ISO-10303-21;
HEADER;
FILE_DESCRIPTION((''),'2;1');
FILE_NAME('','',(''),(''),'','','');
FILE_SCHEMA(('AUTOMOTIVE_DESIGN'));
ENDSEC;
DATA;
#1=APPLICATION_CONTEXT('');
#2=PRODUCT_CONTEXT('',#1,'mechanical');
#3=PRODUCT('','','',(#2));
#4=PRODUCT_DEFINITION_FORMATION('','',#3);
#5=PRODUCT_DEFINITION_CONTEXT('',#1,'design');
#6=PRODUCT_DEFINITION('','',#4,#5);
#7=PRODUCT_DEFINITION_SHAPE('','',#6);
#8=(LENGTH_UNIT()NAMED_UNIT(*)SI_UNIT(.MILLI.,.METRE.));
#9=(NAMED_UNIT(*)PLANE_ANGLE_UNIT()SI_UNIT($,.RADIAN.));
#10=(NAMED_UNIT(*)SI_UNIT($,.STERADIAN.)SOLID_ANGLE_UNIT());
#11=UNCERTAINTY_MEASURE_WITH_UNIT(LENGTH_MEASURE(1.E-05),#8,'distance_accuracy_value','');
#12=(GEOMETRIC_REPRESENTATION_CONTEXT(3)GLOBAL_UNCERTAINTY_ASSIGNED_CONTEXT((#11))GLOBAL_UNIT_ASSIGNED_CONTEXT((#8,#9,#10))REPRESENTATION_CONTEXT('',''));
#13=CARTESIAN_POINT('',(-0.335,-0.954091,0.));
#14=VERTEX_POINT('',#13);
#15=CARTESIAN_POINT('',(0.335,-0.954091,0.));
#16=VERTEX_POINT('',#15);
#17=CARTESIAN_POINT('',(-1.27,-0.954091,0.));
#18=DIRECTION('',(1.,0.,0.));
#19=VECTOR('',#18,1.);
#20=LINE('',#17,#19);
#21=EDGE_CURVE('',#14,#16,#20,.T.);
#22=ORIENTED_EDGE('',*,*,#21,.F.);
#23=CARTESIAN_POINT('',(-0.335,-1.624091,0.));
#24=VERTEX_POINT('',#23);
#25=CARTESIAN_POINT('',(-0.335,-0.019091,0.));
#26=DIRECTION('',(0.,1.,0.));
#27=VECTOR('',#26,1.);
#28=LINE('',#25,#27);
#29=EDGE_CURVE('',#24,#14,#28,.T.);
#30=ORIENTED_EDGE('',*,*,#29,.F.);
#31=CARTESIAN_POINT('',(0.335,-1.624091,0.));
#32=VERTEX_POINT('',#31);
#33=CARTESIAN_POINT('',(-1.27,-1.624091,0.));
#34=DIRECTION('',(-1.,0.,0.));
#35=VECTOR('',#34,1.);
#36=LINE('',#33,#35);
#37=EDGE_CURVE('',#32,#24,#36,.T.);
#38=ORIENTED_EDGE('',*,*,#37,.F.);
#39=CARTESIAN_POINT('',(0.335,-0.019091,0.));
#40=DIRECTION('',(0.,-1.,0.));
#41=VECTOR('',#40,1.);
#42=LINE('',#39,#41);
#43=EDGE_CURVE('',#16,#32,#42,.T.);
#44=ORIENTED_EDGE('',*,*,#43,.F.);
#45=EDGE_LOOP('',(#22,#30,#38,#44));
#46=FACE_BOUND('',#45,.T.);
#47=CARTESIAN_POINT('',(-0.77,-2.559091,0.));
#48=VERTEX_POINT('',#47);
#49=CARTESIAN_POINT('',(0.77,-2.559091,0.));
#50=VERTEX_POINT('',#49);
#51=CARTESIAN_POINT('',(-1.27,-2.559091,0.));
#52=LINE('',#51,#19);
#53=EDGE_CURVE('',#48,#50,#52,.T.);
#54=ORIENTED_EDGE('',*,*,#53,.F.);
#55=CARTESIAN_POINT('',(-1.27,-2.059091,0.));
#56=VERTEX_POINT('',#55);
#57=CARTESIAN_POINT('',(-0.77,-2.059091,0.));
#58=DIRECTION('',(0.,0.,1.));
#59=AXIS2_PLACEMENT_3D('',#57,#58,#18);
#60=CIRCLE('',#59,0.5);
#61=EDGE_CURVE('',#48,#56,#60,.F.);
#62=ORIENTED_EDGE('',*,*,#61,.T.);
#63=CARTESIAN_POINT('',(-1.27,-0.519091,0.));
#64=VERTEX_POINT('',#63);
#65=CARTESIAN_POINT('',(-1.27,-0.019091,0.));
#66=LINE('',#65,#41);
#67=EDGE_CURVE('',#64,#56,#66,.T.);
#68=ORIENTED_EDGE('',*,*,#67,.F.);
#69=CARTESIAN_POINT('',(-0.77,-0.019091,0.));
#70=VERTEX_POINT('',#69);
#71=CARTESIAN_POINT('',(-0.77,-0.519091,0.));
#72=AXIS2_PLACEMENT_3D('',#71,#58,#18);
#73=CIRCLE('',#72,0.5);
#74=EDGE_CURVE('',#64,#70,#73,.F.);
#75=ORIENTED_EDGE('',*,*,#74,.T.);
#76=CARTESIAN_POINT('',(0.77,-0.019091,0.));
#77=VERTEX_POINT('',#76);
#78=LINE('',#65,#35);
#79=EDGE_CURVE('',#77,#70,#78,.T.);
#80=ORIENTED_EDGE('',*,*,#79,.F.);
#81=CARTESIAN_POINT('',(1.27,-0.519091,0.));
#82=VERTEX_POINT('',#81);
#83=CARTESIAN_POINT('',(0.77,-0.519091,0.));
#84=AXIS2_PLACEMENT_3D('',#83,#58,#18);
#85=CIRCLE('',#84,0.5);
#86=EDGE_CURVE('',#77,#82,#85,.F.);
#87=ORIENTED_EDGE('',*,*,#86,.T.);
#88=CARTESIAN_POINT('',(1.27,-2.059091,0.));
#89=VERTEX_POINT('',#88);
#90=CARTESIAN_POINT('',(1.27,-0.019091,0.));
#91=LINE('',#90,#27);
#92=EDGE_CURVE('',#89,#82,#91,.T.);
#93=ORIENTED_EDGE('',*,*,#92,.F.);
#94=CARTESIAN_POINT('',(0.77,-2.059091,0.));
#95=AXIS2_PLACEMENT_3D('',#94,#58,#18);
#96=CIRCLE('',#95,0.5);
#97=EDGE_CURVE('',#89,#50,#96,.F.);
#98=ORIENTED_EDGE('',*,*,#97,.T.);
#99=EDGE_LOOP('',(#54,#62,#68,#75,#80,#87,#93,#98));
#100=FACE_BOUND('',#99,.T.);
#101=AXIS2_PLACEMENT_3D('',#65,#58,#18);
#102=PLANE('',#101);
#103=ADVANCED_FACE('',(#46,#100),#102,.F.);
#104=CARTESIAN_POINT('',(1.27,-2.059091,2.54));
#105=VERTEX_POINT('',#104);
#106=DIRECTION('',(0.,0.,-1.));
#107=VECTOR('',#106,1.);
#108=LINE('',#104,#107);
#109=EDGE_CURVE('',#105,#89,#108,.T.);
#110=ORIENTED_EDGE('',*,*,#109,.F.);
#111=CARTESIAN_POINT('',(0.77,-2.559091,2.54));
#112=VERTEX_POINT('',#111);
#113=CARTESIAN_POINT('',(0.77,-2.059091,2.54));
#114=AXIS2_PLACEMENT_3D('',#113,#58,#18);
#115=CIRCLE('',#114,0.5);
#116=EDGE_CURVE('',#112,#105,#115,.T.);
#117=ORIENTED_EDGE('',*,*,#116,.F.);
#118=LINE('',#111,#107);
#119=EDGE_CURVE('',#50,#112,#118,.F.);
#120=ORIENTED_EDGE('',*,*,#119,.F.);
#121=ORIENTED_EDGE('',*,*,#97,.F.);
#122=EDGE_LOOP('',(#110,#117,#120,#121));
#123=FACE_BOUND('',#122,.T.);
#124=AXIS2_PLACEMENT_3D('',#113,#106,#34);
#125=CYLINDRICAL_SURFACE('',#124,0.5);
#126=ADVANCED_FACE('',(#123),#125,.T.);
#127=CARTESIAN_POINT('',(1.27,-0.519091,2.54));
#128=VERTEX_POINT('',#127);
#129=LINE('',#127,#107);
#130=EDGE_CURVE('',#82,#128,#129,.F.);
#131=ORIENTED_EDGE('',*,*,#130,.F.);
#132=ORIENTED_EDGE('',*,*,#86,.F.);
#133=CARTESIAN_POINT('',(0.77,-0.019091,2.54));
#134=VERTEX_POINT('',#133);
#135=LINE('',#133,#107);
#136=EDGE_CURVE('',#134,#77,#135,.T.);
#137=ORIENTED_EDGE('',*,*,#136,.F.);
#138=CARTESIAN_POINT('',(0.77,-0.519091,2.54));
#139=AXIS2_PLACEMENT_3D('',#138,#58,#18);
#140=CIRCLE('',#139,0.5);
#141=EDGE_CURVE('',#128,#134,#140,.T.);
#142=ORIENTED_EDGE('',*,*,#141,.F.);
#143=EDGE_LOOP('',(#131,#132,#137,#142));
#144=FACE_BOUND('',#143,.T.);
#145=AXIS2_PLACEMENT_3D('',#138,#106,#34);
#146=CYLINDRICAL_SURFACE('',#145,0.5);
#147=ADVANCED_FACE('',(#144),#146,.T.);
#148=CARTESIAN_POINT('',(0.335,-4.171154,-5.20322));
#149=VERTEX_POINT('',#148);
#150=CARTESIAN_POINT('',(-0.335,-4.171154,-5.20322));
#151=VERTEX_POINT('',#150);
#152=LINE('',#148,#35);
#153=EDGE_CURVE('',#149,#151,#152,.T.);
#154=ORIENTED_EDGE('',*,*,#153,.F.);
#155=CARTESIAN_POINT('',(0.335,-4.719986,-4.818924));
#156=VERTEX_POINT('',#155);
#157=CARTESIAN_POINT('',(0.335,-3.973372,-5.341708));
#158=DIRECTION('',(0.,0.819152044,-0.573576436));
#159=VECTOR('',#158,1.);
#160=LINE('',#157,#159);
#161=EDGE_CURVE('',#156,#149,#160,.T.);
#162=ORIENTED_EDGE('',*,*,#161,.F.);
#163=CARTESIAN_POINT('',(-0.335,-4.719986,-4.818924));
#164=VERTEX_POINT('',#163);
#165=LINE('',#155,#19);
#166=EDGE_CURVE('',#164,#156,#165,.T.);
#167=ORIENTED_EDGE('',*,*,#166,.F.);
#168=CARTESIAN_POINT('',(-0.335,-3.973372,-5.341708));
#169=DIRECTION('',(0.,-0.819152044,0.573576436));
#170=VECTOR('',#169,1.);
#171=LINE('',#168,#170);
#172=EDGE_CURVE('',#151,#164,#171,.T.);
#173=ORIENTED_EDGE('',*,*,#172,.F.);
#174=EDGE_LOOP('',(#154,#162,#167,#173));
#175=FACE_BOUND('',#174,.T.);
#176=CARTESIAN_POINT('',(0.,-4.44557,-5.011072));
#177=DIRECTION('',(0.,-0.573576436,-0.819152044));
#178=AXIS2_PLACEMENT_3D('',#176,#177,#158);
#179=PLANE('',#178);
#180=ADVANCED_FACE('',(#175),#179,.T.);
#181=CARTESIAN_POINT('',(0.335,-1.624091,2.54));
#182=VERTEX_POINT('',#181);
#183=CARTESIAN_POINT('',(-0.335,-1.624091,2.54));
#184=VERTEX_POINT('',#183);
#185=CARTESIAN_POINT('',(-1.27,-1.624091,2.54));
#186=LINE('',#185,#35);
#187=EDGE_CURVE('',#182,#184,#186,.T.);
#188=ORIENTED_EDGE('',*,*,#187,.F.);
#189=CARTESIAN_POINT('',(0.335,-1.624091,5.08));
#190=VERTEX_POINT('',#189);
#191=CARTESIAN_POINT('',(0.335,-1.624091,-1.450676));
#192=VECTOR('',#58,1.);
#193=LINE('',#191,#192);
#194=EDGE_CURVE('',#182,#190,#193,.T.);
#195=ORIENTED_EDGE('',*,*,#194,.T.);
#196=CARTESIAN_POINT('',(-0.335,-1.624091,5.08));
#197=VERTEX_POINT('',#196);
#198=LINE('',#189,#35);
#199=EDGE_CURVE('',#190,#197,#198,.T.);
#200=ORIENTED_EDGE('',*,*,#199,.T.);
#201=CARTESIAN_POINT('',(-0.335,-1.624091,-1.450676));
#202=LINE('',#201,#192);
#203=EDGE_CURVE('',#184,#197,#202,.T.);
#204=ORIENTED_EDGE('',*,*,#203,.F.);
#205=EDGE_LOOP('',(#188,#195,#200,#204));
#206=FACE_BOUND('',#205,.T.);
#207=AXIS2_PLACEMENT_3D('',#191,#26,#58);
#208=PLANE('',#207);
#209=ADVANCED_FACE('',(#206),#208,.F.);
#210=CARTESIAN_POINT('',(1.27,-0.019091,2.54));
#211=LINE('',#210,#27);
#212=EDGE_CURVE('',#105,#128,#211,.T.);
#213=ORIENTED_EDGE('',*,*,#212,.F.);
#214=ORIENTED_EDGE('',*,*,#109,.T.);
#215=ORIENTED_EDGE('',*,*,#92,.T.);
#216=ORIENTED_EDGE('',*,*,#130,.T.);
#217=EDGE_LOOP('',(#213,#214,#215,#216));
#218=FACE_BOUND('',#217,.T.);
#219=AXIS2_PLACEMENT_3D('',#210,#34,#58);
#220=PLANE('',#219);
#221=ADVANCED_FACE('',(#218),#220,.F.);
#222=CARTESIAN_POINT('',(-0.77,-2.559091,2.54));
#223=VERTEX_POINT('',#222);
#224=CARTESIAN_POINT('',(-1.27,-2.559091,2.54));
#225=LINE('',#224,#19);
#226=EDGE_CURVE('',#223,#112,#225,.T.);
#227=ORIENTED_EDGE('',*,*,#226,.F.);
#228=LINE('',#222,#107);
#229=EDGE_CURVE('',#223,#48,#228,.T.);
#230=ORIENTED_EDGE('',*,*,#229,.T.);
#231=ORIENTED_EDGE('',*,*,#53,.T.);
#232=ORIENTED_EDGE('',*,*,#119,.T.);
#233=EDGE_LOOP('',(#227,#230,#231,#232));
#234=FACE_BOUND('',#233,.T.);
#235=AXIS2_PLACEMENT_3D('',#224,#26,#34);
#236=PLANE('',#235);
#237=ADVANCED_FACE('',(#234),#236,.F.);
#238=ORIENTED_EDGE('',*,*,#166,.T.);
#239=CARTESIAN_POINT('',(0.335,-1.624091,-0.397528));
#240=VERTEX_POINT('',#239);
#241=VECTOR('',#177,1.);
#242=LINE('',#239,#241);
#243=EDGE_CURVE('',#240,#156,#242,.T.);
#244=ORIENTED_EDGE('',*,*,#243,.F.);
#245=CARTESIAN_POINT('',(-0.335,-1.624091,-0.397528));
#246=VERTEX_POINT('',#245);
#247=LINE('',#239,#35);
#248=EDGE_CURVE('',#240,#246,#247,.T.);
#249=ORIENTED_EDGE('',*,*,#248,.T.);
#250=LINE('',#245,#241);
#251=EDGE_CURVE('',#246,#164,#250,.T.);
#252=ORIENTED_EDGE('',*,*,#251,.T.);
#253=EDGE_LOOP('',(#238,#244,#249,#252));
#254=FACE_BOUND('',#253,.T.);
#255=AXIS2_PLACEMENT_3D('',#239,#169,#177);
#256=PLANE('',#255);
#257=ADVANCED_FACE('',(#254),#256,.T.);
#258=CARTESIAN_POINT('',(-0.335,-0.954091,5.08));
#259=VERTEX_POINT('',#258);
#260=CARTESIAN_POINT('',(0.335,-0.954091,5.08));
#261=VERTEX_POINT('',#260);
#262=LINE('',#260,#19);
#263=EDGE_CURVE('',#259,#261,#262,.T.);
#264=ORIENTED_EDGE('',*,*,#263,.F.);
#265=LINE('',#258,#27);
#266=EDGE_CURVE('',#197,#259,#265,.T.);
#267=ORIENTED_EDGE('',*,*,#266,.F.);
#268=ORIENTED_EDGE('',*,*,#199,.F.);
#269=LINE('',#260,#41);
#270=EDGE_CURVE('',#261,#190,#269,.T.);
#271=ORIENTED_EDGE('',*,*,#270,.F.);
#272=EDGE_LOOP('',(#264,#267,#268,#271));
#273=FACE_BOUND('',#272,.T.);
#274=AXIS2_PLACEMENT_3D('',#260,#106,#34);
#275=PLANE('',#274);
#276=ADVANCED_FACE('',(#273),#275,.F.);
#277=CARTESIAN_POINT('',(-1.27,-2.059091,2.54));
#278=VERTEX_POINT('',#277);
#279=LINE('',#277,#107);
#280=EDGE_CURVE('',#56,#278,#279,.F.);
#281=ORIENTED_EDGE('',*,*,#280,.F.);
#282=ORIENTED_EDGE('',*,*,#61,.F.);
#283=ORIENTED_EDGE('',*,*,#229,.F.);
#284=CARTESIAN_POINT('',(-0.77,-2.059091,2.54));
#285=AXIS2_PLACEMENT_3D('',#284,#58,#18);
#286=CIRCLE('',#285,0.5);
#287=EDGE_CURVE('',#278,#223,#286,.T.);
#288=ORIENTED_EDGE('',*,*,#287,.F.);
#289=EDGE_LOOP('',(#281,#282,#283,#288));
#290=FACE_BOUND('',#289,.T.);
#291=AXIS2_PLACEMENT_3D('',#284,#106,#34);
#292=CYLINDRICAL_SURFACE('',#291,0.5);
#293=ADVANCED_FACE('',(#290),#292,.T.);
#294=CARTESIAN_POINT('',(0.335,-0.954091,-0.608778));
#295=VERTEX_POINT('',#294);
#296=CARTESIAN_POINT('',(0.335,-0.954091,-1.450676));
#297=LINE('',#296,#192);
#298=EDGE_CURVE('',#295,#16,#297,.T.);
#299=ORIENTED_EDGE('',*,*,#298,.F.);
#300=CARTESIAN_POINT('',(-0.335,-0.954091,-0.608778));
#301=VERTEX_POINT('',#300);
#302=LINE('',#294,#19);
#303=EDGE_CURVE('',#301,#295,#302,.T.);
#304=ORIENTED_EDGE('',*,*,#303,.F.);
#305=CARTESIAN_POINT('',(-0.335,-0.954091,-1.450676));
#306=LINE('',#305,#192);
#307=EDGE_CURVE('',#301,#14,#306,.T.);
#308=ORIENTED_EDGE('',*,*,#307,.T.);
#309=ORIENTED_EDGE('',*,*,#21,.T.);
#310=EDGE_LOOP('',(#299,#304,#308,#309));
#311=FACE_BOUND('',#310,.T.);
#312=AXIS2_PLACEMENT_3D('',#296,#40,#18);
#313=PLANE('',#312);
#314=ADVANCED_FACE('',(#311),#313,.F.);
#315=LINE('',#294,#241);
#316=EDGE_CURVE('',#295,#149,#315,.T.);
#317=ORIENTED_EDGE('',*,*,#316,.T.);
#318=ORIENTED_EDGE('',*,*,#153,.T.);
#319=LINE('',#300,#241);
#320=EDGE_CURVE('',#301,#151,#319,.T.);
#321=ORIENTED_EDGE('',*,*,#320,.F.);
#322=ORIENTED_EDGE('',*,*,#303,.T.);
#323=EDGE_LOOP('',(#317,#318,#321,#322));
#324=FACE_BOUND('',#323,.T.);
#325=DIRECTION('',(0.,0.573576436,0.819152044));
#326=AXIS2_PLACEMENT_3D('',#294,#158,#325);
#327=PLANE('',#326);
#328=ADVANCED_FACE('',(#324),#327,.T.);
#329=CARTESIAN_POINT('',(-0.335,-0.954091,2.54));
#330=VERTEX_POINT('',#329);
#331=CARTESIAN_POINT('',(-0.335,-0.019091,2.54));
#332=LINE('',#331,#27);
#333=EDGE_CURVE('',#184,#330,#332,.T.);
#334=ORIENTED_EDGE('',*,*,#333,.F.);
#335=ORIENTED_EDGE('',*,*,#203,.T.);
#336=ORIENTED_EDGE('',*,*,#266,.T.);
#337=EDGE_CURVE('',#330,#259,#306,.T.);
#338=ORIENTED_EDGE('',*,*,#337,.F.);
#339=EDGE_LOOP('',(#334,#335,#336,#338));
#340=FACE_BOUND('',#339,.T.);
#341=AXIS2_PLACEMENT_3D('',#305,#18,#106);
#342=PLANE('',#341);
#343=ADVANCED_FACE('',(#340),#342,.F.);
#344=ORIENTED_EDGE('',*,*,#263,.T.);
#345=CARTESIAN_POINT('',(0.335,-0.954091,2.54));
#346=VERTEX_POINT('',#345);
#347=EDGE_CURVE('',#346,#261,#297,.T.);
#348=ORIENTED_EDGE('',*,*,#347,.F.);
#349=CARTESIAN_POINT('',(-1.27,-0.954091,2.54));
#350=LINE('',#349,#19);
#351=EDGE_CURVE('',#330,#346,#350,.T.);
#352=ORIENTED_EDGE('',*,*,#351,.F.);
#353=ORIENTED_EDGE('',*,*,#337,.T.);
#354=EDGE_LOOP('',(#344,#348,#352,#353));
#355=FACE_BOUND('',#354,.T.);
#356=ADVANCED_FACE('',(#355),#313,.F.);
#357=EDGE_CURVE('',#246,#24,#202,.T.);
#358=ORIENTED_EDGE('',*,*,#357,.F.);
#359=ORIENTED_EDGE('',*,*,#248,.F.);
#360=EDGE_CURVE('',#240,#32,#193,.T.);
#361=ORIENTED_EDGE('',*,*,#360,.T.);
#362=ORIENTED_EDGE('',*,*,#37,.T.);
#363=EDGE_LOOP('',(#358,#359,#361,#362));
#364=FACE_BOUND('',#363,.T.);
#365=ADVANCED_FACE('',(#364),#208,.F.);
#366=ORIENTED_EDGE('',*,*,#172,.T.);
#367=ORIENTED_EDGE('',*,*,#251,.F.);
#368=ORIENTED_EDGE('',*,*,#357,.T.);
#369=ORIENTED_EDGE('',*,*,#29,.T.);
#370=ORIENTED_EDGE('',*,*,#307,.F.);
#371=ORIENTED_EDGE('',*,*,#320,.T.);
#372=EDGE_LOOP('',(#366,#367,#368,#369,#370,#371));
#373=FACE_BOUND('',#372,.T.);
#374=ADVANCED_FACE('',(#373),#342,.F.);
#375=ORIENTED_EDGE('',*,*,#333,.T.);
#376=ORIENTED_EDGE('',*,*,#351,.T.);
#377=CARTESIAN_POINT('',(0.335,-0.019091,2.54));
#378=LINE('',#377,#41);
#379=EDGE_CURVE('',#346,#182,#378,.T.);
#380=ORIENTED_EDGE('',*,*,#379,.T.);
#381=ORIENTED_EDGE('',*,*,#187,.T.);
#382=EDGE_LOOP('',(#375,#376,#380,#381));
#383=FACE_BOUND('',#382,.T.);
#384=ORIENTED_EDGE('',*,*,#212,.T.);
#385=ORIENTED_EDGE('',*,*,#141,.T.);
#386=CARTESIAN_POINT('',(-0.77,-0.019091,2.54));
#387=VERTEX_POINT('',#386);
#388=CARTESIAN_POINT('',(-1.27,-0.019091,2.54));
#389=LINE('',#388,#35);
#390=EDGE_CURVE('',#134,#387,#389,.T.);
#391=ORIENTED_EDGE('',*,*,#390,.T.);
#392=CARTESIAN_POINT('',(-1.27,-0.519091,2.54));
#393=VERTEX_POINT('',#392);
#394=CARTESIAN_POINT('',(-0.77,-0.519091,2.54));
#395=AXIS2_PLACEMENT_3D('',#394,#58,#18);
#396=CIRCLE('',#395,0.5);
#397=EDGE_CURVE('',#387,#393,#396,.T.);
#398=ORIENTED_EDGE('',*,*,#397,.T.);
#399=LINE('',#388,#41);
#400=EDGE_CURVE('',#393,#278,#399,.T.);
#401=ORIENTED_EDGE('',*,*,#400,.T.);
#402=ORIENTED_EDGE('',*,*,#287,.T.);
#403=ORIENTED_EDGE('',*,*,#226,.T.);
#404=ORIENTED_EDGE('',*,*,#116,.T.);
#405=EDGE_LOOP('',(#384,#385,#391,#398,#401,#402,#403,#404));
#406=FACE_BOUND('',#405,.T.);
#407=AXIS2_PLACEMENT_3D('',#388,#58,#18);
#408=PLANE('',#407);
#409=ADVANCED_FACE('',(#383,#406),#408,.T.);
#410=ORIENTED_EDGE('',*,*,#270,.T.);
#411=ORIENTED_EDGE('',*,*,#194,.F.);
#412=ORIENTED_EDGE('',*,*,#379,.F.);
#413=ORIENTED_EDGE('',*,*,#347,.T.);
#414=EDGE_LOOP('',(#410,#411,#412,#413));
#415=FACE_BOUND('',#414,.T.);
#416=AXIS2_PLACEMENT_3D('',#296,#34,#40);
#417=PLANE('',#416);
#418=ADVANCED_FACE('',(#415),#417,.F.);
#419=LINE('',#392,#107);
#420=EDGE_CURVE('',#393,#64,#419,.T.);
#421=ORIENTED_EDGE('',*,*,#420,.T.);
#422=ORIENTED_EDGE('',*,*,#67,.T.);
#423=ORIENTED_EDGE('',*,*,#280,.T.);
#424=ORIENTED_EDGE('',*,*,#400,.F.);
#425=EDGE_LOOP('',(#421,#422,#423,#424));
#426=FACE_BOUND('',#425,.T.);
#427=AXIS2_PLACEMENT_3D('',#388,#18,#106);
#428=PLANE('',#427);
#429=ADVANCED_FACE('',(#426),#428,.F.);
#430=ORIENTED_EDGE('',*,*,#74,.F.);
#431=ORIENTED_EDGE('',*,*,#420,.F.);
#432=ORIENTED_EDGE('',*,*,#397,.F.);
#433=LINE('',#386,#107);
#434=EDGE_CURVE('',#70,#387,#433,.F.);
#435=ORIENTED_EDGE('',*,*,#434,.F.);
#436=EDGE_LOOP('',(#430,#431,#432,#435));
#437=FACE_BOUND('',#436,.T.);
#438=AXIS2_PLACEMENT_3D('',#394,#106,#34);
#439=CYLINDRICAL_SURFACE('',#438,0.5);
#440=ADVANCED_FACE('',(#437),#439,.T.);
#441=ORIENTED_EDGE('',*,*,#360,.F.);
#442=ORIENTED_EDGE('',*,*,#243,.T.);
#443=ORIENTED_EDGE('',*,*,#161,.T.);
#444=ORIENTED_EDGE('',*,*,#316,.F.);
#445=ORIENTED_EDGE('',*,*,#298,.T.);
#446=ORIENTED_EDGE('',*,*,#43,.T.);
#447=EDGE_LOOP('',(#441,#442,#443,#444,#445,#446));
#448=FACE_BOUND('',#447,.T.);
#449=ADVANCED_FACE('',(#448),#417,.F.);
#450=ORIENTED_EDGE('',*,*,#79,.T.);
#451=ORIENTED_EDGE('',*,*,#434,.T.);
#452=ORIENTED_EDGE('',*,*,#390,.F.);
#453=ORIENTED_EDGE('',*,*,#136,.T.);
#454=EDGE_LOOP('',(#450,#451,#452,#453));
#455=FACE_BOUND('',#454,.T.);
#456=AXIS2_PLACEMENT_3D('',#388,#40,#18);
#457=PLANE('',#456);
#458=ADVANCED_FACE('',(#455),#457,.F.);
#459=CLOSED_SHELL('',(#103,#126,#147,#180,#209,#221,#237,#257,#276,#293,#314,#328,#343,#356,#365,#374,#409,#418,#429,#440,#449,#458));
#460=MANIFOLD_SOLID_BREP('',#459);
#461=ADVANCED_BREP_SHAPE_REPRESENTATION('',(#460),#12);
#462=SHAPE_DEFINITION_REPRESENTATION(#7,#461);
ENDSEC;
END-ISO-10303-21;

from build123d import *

# Parameters (mm, degrees)
SKETCH_1_W      = 2.54
SKETCH_1_H      = 2.54
EXTRUDE_1_DEPTH = 2.54
SKETCH_2_W      = 0.67
SKETCH_2_H      = 0.67
FILLET_1_R      = 0.5


with BuildPart() as part:
    # 草图1 → 拉伸1 (new body)
    with BuildSketch(Plane.XY):
        with Locations((0, -1.289090726)):
            Rectangle(SKETCH_1_W, SKETCH_1_H)
    extrude(amount=EXTRUDE_1_DEPTH)

    # 扫描1: sweep along a path in 草图3
    with BuildLine(Plane(origin=(0, 0, 0), x_dir=(0, 0, -1), z_dir=(1, 0, 0))) as sweep_1_path:
        Line((-5.08, -1.299090726), (0.5, -1.299090726))
        Line((0.5, -1.299090726), (5.005336244, -4.453761126))
    # 草图2 → 扫描1 (sweep)
    with BuildSketch(Plane(origin=(0, 0, 5.08), x_dir=(-1, 0, 0), z_dir=(0, 0, -1))):
        with Locations((0, -1.289090726)):
            Rectangle(SKETCH_2_W, SKETCH_2_H)
    sweep(path=sweep_1_path.line, transition=Transition.RIGHT)

    # 圆角1
    fillet_1_edges = [part.edges().sort_by_distance(p)[0] for p in [
        (-1.27, -0.019090726, 1.27),
        (1.27, -0.019090726, 1.27),
        (1.27, -2.559090726, 1.27),
        (-1.27, -2.559090726, 1.27),
    ]]
    fillet(fillet_1_edges, radius=FILLET_1_R)


solid = part.part
